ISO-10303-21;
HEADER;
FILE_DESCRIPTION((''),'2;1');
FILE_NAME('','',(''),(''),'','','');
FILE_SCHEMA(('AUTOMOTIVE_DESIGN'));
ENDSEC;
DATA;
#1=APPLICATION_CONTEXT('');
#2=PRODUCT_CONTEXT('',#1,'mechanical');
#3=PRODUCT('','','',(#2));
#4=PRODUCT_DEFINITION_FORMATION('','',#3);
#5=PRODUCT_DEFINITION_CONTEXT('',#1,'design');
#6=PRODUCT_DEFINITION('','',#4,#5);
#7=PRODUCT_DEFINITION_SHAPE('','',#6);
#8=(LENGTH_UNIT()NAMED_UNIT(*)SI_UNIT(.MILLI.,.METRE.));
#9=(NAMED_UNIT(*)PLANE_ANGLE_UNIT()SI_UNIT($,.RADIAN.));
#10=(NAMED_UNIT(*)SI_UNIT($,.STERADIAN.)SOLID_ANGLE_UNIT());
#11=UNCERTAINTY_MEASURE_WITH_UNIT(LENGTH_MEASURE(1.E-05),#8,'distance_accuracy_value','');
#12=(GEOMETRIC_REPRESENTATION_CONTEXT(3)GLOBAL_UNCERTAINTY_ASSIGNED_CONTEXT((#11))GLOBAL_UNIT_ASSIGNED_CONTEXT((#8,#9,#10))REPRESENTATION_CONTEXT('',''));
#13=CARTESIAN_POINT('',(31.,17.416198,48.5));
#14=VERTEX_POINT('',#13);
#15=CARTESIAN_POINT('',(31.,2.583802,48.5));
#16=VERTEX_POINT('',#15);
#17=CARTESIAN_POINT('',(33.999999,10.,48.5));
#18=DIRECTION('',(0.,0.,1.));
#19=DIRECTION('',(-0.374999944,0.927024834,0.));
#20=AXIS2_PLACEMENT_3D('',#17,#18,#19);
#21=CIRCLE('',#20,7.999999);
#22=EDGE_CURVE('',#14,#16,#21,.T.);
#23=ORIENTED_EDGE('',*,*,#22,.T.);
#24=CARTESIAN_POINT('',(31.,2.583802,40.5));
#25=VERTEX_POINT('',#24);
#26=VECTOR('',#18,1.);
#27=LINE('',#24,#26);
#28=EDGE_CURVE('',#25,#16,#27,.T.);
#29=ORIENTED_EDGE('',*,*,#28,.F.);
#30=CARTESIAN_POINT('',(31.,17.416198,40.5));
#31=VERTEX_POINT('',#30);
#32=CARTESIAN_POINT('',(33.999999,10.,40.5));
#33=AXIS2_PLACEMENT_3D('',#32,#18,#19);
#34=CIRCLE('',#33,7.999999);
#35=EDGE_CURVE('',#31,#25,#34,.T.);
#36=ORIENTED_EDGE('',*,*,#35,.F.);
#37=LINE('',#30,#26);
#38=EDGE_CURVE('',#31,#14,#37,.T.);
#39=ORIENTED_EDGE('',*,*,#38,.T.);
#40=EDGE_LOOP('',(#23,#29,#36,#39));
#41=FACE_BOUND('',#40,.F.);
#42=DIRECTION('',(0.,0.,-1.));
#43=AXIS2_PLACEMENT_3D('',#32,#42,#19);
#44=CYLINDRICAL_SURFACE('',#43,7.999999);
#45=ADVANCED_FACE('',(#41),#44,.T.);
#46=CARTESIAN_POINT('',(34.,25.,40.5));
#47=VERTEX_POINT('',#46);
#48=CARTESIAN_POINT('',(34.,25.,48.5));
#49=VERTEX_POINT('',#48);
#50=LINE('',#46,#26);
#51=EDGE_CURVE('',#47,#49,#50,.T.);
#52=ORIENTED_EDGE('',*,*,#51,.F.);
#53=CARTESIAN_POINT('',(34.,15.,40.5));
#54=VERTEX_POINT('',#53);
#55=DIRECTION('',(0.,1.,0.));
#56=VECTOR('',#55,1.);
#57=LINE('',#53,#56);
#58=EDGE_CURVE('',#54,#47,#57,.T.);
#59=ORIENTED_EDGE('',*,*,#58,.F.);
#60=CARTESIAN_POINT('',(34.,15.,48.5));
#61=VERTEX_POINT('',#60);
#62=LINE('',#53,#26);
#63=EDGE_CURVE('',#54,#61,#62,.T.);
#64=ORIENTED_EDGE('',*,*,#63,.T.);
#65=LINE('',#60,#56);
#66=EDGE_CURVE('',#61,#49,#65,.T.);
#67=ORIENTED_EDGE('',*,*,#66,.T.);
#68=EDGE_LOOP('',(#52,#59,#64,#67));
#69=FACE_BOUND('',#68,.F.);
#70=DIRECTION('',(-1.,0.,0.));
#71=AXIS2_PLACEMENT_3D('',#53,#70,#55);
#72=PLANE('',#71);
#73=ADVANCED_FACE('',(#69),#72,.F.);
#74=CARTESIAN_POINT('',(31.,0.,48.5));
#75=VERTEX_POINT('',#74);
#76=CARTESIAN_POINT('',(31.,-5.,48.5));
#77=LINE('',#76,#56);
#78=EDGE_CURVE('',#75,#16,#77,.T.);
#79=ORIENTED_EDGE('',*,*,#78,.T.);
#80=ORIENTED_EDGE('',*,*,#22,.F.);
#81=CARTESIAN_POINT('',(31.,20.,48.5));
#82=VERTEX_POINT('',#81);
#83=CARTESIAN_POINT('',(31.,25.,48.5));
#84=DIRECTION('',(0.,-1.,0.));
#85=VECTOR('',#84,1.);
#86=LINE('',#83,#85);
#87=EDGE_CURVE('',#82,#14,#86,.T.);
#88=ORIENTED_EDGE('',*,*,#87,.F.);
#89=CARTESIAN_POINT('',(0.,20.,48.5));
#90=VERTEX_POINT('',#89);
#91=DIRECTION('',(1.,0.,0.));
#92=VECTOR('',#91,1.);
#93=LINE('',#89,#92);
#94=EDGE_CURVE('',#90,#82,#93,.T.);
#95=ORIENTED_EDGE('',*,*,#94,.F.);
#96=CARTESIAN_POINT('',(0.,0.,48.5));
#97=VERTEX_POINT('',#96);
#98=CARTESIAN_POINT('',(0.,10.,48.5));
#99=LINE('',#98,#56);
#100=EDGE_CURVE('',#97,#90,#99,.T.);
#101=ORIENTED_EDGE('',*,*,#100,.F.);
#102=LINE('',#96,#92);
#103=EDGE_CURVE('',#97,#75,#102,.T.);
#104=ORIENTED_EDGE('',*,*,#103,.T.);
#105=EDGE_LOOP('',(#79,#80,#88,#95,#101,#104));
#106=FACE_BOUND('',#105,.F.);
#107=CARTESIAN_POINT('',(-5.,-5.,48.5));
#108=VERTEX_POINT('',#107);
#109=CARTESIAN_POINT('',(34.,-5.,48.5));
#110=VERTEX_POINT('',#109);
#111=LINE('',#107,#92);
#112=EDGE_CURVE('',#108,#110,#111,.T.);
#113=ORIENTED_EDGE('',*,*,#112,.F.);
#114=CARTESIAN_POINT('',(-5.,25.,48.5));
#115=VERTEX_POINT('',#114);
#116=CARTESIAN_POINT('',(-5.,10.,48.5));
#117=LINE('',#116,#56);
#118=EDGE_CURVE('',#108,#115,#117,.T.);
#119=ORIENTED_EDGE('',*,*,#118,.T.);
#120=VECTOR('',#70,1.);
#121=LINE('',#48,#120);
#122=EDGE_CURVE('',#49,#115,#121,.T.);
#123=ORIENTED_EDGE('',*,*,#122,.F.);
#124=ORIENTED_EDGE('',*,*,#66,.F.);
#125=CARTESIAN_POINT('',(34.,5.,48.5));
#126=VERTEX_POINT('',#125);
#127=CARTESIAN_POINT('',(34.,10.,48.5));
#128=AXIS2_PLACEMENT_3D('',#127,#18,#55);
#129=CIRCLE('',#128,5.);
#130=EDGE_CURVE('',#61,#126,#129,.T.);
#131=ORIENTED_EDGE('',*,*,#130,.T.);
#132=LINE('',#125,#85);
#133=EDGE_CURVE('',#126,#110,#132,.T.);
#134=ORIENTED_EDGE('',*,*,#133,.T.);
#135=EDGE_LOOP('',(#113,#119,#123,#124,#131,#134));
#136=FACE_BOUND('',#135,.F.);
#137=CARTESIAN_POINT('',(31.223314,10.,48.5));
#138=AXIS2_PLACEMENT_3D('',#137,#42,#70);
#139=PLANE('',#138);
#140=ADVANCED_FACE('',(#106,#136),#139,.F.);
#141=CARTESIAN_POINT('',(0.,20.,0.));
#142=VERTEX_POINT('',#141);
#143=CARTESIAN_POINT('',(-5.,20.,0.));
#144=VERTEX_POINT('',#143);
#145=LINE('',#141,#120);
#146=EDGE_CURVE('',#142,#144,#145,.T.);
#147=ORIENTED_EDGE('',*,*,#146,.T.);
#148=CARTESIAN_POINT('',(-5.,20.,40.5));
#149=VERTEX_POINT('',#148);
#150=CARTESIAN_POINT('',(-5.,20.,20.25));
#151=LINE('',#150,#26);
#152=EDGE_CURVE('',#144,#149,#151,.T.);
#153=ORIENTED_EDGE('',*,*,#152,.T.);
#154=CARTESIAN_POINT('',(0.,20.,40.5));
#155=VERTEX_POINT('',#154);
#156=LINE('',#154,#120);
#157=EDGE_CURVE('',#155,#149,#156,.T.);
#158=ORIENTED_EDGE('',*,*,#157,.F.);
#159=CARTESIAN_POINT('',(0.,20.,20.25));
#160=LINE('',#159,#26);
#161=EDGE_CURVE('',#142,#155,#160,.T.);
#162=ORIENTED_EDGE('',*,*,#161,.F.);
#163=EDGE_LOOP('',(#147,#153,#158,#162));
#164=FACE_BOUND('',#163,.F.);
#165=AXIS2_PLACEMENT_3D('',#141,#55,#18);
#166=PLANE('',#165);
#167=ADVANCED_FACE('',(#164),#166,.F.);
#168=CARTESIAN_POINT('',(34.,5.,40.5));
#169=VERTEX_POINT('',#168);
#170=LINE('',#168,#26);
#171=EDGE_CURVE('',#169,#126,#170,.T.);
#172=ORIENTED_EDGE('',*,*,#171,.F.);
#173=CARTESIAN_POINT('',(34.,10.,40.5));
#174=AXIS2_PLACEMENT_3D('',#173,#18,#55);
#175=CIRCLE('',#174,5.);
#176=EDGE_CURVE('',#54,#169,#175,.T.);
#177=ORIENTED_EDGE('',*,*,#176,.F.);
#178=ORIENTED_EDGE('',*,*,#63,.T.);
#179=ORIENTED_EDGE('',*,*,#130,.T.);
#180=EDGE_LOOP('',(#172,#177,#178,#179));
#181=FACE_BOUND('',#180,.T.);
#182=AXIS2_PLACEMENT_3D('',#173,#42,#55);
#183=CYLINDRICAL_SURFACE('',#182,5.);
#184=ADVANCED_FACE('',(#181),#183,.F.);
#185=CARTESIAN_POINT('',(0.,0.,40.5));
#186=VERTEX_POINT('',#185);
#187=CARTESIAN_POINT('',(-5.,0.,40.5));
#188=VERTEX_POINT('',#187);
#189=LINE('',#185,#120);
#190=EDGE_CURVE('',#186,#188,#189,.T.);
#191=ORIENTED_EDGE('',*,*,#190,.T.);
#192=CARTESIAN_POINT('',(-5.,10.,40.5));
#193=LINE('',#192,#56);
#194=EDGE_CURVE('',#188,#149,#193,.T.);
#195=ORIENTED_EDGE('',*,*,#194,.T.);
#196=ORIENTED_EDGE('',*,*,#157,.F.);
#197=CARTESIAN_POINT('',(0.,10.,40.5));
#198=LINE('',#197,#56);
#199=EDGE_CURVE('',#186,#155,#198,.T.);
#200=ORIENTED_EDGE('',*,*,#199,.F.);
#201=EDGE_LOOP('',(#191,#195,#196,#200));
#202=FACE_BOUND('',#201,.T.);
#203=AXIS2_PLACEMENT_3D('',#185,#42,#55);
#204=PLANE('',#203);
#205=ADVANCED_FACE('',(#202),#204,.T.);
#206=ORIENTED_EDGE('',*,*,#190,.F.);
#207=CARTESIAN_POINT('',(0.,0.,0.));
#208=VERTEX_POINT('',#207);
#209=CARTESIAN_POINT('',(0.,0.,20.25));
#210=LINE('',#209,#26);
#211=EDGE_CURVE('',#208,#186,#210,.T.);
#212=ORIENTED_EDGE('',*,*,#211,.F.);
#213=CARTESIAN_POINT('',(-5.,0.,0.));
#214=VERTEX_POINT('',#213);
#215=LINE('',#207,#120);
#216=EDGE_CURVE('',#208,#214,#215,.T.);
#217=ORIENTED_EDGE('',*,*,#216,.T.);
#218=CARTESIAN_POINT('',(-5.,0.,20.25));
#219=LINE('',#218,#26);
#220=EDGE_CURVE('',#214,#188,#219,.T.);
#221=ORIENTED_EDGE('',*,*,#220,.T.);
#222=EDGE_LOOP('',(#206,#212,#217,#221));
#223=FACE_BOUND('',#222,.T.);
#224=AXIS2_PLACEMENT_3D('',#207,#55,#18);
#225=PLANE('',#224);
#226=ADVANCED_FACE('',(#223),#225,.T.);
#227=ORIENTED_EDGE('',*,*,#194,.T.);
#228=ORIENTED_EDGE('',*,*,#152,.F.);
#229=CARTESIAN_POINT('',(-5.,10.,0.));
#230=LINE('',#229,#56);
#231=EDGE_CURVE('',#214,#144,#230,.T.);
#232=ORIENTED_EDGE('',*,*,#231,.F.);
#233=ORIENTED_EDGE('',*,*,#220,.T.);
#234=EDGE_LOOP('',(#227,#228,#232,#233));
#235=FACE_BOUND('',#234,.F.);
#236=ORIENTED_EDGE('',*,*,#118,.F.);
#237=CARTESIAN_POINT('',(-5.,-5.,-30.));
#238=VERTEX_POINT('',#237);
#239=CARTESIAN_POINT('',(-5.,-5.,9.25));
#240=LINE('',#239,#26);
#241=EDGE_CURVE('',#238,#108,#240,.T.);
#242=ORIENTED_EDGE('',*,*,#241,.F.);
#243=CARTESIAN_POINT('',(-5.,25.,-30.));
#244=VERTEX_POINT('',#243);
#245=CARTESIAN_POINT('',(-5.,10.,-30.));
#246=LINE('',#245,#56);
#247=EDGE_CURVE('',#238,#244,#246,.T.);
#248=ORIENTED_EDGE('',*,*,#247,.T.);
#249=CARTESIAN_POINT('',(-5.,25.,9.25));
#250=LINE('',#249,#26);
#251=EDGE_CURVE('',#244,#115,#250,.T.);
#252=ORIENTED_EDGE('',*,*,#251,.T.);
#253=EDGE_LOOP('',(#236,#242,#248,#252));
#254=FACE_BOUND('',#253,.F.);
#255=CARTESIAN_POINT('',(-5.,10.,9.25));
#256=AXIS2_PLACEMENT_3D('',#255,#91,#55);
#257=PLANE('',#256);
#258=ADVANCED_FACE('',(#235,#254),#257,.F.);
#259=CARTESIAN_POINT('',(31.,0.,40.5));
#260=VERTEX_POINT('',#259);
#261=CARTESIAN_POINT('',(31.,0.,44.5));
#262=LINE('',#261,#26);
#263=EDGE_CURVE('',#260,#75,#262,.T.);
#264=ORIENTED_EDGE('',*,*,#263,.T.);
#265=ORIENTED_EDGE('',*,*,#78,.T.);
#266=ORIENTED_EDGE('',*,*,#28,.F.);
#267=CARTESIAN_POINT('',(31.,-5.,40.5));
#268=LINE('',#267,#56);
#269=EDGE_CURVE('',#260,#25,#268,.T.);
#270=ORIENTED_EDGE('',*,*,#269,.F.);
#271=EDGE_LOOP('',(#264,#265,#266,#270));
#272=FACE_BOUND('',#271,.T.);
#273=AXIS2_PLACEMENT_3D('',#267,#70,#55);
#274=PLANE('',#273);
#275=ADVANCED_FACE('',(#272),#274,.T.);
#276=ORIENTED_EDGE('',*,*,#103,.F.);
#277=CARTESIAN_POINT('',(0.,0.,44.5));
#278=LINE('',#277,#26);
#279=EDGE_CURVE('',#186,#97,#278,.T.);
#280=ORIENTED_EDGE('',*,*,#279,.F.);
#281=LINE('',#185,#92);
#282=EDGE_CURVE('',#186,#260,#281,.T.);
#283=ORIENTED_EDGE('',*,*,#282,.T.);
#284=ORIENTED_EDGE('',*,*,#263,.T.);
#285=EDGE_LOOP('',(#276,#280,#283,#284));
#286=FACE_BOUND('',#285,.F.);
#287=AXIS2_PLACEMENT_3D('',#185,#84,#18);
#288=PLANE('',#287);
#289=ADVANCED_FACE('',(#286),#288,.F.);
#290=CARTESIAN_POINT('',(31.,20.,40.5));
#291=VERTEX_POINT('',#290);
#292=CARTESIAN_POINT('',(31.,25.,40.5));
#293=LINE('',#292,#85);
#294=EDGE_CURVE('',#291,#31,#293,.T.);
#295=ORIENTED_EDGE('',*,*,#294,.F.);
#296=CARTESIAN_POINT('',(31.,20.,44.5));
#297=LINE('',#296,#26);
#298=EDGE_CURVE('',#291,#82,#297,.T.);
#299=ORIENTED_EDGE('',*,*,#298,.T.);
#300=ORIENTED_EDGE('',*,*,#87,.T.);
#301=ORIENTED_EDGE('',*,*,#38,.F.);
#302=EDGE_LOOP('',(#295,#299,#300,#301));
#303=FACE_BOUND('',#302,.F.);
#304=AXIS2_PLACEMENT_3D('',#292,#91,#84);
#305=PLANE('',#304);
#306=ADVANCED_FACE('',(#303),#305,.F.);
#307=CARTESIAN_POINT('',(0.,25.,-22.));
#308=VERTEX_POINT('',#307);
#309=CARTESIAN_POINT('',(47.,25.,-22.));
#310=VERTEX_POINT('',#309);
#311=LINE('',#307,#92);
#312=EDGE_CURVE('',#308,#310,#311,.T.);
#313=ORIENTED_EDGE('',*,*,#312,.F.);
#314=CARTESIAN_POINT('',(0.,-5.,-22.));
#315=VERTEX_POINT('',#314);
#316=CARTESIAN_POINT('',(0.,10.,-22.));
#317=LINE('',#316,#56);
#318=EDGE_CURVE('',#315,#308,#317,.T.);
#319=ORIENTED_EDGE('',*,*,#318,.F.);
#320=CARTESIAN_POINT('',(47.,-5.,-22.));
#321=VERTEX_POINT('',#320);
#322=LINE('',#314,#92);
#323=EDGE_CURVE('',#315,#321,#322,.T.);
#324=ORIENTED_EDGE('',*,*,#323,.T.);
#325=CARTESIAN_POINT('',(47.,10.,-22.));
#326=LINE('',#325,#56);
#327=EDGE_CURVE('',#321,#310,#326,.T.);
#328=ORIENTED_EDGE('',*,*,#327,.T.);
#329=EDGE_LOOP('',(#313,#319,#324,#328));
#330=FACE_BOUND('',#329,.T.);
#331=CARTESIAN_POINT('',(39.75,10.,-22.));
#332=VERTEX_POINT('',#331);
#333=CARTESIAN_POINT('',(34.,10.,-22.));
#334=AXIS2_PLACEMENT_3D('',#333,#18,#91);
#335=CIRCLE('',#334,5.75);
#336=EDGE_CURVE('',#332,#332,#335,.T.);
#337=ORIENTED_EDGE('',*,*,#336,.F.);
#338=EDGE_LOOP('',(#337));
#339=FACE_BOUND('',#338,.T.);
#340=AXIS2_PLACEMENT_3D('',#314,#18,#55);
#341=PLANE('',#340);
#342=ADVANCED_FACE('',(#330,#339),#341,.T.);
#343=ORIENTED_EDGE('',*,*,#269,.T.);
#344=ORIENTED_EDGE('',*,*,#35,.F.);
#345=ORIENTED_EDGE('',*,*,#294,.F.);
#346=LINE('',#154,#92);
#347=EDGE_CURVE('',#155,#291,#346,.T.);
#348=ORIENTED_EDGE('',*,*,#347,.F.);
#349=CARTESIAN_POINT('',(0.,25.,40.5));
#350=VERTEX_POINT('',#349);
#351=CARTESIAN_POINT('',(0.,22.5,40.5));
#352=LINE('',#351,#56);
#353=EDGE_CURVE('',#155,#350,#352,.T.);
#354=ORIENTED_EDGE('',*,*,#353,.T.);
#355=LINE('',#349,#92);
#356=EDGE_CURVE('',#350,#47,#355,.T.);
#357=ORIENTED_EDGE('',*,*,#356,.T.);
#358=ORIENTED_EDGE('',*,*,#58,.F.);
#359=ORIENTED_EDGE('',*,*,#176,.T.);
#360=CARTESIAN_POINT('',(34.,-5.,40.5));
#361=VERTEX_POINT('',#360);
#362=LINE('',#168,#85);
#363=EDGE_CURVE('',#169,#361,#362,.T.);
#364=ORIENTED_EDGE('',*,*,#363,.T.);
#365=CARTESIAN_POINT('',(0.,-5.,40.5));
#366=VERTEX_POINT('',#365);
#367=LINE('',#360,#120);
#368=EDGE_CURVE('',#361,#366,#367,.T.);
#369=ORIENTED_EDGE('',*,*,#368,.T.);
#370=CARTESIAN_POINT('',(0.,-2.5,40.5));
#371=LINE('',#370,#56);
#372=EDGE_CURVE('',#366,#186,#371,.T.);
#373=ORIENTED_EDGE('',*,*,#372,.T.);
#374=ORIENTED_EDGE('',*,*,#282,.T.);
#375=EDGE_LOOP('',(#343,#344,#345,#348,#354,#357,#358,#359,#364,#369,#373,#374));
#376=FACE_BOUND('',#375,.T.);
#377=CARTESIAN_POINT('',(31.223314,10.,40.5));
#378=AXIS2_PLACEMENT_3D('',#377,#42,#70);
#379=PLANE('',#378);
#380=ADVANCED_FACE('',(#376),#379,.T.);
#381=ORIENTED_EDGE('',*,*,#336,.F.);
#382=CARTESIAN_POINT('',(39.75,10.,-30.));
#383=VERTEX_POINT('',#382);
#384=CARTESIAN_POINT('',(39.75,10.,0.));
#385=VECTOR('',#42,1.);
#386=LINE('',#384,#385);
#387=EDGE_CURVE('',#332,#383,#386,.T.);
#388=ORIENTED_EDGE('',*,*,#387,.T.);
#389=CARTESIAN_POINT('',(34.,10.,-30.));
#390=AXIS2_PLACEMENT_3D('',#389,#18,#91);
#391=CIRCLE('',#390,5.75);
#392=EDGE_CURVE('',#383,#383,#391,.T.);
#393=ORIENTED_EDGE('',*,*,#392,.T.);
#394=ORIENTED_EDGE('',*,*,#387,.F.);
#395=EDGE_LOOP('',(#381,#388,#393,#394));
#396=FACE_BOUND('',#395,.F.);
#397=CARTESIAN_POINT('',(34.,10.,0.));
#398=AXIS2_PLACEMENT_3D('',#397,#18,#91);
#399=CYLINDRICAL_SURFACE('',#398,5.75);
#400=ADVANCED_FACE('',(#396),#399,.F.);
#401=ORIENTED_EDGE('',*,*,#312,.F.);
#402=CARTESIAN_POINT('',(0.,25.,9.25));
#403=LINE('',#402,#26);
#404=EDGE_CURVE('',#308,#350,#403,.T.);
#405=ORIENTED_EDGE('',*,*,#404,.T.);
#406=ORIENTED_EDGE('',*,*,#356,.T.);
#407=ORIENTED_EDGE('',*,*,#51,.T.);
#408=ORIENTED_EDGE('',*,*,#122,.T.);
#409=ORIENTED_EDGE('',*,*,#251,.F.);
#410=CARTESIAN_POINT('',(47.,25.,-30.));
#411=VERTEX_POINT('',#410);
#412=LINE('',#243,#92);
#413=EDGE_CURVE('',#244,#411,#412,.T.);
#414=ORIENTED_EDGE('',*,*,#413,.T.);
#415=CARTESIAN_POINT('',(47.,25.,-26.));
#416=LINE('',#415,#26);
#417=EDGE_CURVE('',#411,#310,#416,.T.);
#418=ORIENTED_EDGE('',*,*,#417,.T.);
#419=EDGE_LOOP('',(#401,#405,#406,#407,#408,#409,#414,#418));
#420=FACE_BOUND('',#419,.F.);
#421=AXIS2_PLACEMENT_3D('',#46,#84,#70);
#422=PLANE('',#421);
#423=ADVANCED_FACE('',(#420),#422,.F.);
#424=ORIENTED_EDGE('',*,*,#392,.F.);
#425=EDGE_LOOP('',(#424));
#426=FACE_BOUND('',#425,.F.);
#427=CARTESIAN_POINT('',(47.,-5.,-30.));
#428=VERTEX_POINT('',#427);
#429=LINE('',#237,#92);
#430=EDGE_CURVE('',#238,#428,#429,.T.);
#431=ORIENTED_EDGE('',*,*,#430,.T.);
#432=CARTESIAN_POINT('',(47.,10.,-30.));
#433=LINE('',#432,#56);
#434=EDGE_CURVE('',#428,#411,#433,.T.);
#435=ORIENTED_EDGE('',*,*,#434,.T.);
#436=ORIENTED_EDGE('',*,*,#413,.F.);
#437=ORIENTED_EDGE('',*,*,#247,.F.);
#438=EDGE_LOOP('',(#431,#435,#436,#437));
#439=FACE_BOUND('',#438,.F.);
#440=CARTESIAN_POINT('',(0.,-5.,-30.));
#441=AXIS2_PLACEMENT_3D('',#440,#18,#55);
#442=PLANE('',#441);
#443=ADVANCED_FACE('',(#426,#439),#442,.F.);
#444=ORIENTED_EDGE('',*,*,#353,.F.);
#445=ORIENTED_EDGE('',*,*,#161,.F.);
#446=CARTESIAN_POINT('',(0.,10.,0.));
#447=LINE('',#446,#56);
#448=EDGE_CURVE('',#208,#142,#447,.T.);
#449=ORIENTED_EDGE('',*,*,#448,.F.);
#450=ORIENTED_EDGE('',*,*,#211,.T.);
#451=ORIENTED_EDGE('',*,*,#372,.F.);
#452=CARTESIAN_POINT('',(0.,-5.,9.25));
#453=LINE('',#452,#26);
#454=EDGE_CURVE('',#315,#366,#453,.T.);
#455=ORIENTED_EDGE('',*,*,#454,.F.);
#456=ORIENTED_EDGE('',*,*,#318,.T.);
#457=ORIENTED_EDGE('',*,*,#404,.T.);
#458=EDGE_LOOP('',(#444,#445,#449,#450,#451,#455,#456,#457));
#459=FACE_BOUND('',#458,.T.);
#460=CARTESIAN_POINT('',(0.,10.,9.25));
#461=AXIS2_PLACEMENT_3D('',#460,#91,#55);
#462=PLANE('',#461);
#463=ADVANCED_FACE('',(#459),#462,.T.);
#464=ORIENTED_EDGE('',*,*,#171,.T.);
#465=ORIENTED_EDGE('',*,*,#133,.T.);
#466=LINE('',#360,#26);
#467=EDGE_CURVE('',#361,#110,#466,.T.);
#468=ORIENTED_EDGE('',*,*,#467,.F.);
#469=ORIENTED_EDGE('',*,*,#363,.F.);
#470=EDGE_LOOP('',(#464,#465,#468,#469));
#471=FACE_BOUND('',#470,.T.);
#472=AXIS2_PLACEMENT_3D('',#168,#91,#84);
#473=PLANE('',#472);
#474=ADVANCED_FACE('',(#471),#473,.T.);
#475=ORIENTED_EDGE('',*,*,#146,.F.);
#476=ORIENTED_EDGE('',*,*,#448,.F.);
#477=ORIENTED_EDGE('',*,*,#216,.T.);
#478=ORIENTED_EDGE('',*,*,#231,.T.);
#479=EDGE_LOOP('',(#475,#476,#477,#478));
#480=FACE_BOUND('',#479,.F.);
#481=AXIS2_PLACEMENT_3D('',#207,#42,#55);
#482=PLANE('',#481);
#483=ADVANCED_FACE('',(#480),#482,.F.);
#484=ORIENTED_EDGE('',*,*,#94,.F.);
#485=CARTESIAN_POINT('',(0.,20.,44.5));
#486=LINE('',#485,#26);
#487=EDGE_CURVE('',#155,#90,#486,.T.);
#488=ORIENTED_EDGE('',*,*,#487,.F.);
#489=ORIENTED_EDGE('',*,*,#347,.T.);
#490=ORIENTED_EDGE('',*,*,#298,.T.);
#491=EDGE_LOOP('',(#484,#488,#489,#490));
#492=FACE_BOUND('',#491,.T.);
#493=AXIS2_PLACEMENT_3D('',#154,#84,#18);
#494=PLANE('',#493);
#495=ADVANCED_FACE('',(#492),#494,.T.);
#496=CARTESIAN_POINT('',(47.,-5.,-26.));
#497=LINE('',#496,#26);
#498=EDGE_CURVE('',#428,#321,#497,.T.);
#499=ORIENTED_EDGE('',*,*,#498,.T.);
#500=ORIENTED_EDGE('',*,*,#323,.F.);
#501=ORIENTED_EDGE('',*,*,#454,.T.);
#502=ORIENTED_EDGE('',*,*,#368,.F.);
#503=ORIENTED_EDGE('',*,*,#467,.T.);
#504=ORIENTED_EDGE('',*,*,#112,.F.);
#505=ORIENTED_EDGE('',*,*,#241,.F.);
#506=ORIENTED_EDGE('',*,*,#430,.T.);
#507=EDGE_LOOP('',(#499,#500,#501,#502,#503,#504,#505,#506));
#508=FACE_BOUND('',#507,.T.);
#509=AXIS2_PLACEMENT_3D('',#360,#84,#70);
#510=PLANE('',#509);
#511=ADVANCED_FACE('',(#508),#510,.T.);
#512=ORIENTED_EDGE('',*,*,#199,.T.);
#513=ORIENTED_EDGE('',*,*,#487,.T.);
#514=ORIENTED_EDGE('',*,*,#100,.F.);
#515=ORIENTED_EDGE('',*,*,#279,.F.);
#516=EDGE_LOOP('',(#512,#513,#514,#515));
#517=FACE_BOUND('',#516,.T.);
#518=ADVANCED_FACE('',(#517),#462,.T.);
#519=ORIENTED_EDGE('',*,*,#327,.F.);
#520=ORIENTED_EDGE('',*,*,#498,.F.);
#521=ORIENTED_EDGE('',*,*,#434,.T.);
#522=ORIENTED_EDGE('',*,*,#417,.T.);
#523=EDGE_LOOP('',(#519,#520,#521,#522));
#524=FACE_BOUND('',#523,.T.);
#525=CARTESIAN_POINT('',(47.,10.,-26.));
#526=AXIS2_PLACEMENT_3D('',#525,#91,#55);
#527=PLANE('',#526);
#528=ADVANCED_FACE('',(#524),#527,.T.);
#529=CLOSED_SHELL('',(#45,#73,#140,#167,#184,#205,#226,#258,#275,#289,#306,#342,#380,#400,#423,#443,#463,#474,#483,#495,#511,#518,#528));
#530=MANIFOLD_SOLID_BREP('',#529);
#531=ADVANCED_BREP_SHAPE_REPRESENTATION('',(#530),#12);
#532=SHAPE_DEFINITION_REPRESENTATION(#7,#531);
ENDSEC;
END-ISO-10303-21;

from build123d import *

# Parameters (mm, degrees)
SKETCH_W        = 30
SKETCH_H        = 78.5
SKETCH_W_2      = 20
SKETCH_H_2      = 40.5
PAD_DEPTH       = 5
SKETCH001_W     = 30
SKETCH001_H     = 8
PAD004_DEPTH    = 47
SKETCH002_W     = 5
SKETCH002_H     = 8
PAD005_DEPTH    = 31
PAD006_DEPTH    = 8
SKETCH006_R     = 1.5
POCKET001_DEPTH = 6.501
SKETCH007_R     = 5.75
POCKET002_DEPTH = 30.001


with BuildPart() as part:
    # Sketch → Pad (new body)
    with BuildSketch(Plane.YZ):
        with Locations((10, 9.25)):
            Rectangle(SKETCH_W, SKETCH_H)
        with Locations((10, 20.25)):
            Rectangle(SKETCH_W_2, SKETCH_H_2, mode=Mode.SUBTRACT)
    extrude(amount=-PAD_DEPTH)

    # Sketch001 → Pad004 (join)
    with BuildSketch(Plane.YZ):
        with Locations((10, -26)):
            Rectangle(SKETCH001_W, SKETCH001_H)
    extrude(amount=PAD004_DEPTH)

    # Sketch002 → Pad005 (join)
    with BuildSketch(Plane.YZ):
        with Locations((-2.5, 44.5)):
            Rectangle(SKETCH002_W, SKETCH002_H)
        with Locations((22.5, 44.5)):
            Rectangle(SKETCH002_W, SKETCH002_H)
    extrude(amount=PAD005_DEPTH)

    # Sketch003 → Pad006 (join)
    with BuildSketch(Plane.XY.offset(40.5)):
        with BuildLine():
            ThreePointArc((34, 15), (29, 10), (34, 5))
            Line((34, 5), (34, -5))
            Line((34, -5), (31, -5))
            Line((31, -5), (31, 2.583802))
            ThreePointArc((31, 17.416198), (26, 10), (31, 2.583802))
            Line((31, 25), (31, 17.416198))
            Line((34, 25), (31, 25))
            Line((34, 15), (34, 25))
        make_face()
    extrude(amount=PAD006_DEPTH)

    # Sketch006 → Pocket001 (cut, through all)
    with BuildSketch(Plane.YZ.offset(40.5)):
        with Locations((-2.5, 44.5)):
            Circle(SKETCH006_R)
        with Locations((22.5, 44.5)):
            Circle(SKETCH006_R)
    extrude(amount=POCKET001_DEPTH, mode=Mode.SUBTRACT)

    # Sketch007 → Pocket002 (cut, through all)
    with BuildSketch(Plane.XY):
        with Locations((34, 10)):
            Circle(SKETCH007_R)
    extrude(amount=-POCKET002_DEPTH, mode=Mode.SUBTRACT)


solid = part.part
